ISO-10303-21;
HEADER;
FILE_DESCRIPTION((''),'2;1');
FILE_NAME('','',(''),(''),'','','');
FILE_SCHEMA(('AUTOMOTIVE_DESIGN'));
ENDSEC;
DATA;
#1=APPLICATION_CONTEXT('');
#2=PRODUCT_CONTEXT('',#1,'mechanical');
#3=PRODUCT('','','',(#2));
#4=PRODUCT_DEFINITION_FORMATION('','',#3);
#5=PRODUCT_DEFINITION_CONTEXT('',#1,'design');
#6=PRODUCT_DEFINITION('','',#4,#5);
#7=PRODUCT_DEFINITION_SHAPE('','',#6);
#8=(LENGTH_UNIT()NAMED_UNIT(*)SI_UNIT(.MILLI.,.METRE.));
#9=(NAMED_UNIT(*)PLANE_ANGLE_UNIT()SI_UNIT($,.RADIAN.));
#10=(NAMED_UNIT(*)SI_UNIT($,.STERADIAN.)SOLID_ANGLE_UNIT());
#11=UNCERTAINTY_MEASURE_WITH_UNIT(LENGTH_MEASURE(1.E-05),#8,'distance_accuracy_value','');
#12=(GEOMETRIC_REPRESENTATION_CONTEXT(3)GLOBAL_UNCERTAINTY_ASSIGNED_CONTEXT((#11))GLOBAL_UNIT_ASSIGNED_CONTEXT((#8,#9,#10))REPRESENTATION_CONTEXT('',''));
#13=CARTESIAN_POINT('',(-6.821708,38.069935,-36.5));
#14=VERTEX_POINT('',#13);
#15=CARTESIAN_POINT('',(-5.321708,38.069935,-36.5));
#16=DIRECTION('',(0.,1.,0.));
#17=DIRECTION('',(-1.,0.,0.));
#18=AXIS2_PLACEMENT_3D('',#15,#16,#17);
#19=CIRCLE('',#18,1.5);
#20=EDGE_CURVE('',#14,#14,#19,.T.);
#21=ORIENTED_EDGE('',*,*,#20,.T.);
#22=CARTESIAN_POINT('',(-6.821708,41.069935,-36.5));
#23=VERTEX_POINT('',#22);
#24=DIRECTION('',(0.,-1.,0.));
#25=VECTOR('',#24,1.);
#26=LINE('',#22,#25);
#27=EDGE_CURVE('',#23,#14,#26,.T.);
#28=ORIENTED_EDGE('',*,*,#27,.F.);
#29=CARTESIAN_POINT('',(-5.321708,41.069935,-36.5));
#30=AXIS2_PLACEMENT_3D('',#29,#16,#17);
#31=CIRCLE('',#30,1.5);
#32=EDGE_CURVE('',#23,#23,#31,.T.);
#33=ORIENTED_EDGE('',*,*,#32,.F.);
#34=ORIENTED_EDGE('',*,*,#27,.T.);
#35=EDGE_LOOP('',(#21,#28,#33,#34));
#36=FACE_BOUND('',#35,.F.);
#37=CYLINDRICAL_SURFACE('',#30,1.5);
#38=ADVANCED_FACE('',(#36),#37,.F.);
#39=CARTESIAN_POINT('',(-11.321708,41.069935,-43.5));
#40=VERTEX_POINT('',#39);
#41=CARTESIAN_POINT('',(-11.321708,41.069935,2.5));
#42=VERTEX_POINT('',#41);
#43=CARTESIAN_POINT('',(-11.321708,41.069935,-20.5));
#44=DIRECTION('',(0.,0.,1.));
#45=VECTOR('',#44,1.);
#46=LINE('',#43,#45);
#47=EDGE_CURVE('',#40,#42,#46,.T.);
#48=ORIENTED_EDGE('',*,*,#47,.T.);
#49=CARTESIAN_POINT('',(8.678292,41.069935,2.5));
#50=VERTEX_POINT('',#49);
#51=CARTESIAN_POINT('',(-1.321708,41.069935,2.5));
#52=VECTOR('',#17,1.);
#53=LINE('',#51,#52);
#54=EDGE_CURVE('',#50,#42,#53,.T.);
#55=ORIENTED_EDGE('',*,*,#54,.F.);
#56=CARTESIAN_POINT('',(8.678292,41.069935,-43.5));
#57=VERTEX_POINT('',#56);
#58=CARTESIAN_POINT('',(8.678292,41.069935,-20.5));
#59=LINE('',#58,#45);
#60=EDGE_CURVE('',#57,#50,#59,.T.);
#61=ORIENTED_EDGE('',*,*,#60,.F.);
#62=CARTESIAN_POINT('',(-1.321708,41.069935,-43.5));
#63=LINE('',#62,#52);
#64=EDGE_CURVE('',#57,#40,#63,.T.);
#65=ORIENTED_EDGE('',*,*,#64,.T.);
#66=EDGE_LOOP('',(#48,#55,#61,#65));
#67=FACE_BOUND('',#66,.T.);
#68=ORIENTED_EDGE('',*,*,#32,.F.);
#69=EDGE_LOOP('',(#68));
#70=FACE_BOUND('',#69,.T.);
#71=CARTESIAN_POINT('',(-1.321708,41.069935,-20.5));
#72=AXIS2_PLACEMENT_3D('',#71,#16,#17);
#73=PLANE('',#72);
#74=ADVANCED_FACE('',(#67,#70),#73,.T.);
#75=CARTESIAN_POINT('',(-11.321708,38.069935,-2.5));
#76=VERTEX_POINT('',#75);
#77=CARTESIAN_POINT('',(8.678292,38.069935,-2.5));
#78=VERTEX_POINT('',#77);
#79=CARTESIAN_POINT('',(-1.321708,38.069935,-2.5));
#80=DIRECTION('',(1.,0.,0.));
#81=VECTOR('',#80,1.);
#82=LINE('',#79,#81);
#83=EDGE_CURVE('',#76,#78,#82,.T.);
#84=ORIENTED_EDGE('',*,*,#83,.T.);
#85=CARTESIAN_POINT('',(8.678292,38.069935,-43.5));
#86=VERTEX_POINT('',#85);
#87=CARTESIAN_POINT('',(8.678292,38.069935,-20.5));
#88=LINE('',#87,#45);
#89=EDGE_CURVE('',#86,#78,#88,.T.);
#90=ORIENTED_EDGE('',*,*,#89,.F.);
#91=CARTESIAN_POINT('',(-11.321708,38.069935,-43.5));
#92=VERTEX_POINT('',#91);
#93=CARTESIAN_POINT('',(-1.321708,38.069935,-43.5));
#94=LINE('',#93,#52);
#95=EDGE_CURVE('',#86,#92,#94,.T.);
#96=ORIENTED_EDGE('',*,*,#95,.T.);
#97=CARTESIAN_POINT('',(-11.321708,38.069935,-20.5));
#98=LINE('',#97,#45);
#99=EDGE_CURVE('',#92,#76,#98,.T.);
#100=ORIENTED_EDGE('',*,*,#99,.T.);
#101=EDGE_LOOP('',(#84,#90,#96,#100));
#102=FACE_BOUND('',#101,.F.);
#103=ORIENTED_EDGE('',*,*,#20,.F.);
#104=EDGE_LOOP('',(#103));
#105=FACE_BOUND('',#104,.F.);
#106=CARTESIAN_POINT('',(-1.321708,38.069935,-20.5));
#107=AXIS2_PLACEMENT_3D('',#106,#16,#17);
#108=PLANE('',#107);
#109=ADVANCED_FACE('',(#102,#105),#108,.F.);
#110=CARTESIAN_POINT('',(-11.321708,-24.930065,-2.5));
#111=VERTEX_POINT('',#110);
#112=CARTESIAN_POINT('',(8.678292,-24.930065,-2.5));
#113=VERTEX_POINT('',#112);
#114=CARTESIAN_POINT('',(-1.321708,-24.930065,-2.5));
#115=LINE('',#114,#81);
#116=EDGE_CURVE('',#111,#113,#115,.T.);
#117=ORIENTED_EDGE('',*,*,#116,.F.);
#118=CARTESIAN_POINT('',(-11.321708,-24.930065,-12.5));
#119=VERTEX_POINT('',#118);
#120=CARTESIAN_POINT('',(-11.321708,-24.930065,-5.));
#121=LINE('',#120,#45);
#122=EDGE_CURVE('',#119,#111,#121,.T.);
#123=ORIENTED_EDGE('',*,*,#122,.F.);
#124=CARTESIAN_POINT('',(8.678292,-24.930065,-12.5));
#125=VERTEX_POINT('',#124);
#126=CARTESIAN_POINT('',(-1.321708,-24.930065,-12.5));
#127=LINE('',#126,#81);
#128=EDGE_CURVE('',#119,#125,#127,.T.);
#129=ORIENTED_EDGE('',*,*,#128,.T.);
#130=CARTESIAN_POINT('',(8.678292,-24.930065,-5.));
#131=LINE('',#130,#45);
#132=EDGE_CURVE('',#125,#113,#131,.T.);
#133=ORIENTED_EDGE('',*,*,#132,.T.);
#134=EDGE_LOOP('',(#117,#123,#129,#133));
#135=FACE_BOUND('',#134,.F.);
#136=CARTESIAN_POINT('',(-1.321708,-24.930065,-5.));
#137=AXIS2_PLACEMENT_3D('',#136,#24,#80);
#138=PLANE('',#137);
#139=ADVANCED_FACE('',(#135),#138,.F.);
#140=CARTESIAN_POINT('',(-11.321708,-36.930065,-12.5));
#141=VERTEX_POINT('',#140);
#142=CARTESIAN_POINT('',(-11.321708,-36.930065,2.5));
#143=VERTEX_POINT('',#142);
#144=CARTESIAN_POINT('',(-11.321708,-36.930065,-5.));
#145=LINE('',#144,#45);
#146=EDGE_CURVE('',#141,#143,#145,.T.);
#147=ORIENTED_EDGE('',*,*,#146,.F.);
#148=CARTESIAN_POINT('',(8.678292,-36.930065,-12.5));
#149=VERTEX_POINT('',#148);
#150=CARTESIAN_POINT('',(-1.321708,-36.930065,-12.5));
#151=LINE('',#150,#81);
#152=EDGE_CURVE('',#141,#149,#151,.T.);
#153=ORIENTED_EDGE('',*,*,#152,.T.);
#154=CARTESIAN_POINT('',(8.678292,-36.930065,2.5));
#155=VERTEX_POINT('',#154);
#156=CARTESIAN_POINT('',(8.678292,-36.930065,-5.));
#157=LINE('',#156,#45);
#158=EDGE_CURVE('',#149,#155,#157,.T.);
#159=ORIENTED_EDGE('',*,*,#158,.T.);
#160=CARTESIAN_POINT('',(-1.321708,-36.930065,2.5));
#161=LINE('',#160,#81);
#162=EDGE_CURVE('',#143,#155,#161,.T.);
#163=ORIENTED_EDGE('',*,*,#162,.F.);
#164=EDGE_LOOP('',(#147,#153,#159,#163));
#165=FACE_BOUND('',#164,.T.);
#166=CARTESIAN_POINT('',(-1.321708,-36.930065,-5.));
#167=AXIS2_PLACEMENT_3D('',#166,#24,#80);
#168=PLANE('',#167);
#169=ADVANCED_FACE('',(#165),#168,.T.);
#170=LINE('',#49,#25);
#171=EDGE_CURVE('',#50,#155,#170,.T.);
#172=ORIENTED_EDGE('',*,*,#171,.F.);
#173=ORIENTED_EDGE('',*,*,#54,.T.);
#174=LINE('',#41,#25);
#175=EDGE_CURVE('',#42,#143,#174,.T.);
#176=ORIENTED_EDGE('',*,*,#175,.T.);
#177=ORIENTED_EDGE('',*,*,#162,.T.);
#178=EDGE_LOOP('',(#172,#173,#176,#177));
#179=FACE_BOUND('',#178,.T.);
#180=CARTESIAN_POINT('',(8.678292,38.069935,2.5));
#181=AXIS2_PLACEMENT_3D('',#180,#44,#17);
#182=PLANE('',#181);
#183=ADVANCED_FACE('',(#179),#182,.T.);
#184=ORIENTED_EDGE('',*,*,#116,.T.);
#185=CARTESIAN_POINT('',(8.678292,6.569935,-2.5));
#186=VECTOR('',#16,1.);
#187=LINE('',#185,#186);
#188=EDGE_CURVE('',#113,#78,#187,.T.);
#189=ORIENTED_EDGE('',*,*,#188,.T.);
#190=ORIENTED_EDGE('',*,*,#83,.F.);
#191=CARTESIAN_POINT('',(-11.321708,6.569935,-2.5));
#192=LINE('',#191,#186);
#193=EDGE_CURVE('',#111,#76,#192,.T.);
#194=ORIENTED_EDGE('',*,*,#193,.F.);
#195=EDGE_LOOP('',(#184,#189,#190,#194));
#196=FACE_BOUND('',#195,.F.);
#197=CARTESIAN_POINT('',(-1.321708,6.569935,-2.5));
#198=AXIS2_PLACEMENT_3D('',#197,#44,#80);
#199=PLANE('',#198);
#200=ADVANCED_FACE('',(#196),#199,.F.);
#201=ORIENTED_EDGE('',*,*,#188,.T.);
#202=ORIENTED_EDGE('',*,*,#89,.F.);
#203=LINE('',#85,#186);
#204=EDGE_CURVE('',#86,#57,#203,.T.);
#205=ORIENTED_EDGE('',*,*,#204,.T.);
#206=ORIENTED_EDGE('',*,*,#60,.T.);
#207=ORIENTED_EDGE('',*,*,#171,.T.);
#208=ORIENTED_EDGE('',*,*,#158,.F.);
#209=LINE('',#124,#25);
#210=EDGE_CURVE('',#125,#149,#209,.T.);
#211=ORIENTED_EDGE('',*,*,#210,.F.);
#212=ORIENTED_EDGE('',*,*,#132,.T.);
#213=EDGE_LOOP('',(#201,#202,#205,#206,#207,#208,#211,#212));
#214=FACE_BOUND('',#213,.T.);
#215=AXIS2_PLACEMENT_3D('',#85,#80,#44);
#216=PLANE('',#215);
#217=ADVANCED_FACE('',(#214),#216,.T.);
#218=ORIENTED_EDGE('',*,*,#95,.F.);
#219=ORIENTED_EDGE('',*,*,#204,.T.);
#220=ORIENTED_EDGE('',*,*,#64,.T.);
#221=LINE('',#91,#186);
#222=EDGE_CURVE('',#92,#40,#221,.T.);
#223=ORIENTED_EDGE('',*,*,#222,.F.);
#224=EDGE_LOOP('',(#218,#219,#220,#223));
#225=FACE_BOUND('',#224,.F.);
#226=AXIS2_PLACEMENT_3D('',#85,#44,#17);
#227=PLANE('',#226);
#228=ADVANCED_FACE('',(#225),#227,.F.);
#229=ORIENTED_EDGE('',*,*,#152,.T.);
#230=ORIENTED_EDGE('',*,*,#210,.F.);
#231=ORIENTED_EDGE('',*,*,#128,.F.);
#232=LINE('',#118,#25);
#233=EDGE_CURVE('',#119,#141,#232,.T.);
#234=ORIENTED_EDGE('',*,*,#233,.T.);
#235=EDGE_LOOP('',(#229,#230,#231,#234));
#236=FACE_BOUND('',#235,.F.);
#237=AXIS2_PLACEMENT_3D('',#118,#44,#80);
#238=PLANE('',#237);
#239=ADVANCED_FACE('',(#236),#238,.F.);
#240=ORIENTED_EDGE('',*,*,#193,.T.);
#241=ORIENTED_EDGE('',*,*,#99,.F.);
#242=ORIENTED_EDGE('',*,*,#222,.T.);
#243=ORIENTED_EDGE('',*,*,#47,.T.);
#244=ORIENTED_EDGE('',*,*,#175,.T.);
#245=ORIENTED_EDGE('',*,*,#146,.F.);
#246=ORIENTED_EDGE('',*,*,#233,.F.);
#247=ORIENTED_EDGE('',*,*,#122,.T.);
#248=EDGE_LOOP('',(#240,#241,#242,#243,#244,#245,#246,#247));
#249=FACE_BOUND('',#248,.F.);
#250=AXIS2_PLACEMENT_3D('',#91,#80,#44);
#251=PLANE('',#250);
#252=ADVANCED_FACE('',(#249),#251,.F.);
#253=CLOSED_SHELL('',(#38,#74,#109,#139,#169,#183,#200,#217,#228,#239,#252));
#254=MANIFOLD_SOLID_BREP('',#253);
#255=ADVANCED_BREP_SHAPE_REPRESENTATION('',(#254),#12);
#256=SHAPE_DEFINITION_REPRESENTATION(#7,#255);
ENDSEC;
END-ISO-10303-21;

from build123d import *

# Parameters (mm, degrees)
F0_W     = 20
F0_H     = 63
F1_DEPTH = 2.5
F2_W     = 20
F2_H     = 15
F3_DEPTH = 12
F4_W     = 20
F4_H     = 46
F5_DEPTH = 3
F6_R     = 1.5
F7_DEPTH = 25


with BuildPart() as f1:
    # F0 (on Top) → F1 (new body, symmetric)
    with BuildSketch(Plane.XY):
        with Locations((-1.321708, 6.569935)):
            Rectangle(F0_W, F0_H)
    extrude(amount=F1_DEPTH, both=True)

    # F2 (on face) → F3 (join)
    with BuildSketch(Plane.XZ.offset(24.930065)):
        with Locations((-1.321708, -5)):
            Rectangle(F2_W, F2_H)
    extrude(amount=F3_DEPTH)

    # F4 (on face) → F5 (join)
    with BuildSketch(Plane(origin=(0, 38.069935, 0), x_dir=(-1, 0, 0), z_dir=(0, 1, 0))):
        with Locations((1.321708, -20.5)):
            Rectangle(F4_W, F4_H)
    extrude(amount=F5_DEPTH)

    # F6 (on face) → F7 (cut)
    with BuildSketch(Plane(origin=(0, 41.069935, 0), x_dir=(-1, 0, 0), z_dir=(0, 1, 0))):
        with Locations((5.321708, -36.5)):
            Circle(F6_R)
    extrude(amount=-F7_DEPTH, mode=Mode.SUBTRACT)


solid = f1.part
